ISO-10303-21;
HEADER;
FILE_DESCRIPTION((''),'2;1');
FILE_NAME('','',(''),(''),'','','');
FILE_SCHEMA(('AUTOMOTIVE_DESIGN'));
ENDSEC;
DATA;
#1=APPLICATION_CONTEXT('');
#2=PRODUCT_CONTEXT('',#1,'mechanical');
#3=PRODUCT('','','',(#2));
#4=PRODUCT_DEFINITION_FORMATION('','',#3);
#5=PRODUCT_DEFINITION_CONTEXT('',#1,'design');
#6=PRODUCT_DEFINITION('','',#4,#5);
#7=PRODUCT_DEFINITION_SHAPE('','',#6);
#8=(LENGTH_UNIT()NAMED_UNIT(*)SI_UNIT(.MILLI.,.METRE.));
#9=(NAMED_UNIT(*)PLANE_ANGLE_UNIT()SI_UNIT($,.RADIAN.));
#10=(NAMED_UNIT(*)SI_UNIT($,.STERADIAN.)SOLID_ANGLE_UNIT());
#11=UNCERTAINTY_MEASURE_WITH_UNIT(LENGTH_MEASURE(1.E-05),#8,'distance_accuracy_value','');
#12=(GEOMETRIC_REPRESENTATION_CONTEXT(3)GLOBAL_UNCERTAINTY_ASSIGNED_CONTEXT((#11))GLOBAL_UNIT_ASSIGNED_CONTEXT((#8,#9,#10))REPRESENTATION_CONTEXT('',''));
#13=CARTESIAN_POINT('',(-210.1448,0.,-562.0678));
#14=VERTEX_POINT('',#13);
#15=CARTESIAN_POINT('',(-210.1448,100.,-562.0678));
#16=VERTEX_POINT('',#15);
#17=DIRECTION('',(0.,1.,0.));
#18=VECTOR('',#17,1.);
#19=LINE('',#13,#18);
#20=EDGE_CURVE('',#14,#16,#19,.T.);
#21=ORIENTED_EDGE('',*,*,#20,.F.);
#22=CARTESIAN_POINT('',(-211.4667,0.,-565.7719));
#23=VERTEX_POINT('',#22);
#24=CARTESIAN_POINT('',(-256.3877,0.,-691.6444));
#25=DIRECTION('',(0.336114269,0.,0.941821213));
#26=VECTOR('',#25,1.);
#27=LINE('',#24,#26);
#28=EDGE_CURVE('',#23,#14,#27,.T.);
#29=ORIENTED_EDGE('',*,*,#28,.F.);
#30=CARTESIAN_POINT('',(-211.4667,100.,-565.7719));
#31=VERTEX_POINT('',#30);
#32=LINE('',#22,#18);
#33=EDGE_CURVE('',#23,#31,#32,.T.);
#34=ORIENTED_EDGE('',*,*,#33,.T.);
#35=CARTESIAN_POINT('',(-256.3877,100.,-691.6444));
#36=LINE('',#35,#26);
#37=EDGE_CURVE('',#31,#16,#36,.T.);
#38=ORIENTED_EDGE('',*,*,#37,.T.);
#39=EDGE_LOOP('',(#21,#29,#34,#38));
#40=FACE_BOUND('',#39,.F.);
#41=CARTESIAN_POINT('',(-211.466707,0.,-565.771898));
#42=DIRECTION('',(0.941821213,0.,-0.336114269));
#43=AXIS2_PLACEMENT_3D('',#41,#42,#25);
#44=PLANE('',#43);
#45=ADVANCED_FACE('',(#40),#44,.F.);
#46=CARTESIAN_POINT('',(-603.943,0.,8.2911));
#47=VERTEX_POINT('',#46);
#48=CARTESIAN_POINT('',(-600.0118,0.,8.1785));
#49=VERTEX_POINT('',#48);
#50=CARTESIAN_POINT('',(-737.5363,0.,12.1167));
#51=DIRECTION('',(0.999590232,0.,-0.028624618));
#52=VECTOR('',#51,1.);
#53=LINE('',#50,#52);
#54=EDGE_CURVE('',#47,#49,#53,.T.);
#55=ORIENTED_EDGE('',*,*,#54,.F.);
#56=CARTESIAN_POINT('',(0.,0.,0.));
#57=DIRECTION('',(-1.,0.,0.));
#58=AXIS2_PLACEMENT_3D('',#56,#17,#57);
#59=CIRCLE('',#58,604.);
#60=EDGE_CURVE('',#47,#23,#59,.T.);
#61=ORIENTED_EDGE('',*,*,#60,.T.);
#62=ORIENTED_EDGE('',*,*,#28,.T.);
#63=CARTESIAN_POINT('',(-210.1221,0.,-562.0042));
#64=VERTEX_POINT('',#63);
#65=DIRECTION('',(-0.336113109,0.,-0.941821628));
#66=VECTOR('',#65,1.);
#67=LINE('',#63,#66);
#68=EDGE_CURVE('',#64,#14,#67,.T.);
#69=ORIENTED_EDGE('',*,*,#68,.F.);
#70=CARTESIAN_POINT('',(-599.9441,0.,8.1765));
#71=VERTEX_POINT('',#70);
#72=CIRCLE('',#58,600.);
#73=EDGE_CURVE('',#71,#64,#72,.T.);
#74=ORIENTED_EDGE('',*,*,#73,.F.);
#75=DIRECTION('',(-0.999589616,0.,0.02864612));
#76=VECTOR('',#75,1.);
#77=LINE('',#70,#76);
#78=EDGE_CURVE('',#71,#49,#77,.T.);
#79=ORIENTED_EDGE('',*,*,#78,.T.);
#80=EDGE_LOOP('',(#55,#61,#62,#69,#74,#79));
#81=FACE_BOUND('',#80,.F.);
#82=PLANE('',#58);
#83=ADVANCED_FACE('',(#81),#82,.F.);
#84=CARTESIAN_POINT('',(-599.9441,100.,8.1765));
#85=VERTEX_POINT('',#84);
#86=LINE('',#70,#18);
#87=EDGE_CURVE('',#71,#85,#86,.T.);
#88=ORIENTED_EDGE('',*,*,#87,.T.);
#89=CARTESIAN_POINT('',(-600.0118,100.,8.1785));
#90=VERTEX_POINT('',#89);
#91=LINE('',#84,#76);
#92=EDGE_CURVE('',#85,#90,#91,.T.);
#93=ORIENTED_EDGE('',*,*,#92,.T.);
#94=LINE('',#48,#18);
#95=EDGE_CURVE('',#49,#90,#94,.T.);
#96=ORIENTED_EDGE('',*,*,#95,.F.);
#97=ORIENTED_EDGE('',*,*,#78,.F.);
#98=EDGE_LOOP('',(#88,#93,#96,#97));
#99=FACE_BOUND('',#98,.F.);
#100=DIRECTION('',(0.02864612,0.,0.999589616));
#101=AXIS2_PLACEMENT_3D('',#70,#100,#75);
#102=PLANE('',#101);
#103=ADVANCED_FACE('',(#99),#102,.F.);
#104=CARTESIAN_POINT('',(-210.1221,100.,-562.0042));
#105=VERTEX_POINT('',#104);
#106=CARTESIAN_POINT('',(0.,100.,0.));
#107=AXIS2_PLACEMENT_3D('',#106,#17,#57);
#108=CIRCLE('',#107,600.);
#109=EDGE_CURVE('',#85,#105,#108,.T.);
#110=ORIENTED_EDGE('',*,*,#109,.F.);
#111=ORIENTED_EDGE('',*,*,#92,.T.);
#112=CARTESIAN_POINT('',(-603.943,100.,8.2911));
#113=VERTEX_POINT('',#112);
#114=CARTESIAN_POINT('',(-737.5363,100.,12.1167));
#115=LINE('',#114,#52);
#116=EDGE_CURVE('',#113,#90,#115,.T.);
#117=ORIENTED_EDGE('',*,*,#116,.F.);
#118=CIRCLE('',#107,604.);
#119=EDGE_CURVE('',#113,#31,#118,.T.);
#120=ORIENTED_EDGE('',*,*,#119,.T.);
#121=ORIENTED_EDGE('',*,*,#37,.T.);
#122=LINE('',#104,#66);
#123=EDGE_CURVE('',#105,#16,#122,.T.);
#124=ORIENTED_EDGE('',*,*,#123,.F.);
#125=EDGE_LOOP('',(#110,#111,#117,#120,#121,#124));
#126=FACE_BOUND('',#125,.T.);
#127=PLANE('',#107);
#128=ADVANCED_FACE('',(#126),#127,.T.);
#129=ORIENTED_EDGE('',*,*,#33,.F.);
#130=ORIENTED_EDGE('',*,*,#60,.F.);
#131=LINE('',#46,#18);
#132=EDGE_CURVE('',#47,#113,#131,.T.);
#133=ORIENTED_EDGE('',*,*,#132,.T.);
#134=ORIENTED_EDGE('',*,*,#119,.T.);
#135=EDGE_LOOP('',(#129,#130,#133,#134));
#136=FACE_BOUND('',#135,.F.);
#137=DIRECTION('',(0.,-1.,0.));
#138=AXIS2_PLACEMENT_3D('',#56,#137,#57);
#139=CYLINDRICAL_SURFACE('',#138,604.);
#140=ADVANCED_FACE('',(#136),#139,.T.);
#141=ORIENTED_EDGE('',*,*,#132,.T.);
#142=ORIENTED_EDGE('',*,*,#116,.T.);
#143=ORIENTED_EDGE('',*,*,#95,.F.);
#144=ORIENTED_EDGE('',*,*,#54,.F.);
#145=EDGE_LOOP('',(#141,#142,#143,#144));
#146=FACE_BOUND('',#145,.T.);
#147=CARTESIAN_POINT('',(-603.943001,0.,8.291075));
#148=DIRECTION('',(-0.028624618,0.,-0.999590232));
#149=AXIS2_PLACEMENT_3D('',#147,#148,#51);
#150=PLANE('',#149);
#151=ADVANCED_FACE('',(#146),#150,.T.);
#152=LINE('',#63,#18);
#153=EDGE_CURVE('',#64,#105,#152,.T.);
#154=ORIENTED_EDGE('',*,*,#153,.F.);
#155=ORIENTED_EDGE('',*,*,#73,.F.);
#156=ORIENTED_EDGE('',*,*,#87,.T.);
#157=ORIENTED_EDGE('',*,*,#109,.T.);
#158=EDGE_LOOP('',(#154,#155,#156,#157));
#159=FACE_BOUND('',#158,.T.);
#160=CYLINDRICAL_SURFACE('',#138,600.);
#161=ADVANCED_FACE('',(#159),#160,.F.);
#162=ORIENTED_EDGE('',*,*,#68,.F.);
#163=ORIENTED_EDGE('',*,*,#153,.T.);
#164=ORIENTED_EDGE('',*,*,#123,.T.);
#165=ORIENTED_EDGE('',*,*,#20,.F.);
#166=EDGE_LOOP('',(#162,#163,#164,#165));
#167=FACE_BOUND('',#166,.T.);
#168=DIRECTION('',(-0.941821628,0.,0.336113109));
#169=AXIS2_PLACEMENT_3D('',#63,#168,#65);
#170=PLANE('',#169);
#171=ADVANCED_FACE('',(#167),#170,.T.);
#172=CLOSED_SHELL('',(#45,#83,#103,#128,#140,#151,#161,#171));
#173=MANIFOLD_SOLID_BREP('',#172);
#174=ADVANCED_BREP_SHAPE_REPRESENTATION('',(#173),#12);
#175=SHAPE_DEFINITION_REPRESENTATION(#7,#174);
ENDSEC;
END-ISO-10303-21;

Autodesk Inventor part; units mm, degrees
ref_plane "YZ Plane" through (0, 0, 0) normal (1, 0, 0) x (0, 1, 0)
ref_plane "XZ Plane" through (0, 0, 0) normal (0, 1, 0) x (-1, 0, 0)
ref_plane "XY Plane" through (0, 0, 0) normal (0, 0, 1) x (1, 0, 0)
sketch "Sketch1" plane through (0, 0, 0) normal (0, 1, 0) x (-1, 0, 0)
  circle A0 centre (0, 0) radius 600
  circle A1 centre (0, 0) radius 604
  dimension "d0" = 1200
  dimension "d1" = 1208
extrude "Extrusion1" add sketch "Sketch1" along normal blind 100
sketch "Sketch2" plane through (0, 0, 0) normal (0, -1, 0) x (1, 0, 0)
  line L0 (-737.5363, 12.1167) -> (-600.0118, 8.1785) projected
  line L1 (-256.3877, -691.6444) -> (-210.1448, -562.0678) projected
  circle A0 centre (0, 0) radius 600 projected
  line L2 (-210.1221, -562.0042) -> (-211.4667, -565.7719)
  circle A1 centre (0, 0) radius 604 projected
  line L3 (-599.9441, 8.1765) -> (-603.943, 8.2911)
  point P0 (-599.9443, 8.1765)
  point P1 (-603.9431, 8.2911)
extrude "Extrusion2" cut sketch "Sketch2" against normal blind 100 contours L0 L3 A0 L2 L1 A1 picked at (-484.3692, -358.2492)
properties part number "Edge Band - Platform A Outer" material "Wood (Birch)"
